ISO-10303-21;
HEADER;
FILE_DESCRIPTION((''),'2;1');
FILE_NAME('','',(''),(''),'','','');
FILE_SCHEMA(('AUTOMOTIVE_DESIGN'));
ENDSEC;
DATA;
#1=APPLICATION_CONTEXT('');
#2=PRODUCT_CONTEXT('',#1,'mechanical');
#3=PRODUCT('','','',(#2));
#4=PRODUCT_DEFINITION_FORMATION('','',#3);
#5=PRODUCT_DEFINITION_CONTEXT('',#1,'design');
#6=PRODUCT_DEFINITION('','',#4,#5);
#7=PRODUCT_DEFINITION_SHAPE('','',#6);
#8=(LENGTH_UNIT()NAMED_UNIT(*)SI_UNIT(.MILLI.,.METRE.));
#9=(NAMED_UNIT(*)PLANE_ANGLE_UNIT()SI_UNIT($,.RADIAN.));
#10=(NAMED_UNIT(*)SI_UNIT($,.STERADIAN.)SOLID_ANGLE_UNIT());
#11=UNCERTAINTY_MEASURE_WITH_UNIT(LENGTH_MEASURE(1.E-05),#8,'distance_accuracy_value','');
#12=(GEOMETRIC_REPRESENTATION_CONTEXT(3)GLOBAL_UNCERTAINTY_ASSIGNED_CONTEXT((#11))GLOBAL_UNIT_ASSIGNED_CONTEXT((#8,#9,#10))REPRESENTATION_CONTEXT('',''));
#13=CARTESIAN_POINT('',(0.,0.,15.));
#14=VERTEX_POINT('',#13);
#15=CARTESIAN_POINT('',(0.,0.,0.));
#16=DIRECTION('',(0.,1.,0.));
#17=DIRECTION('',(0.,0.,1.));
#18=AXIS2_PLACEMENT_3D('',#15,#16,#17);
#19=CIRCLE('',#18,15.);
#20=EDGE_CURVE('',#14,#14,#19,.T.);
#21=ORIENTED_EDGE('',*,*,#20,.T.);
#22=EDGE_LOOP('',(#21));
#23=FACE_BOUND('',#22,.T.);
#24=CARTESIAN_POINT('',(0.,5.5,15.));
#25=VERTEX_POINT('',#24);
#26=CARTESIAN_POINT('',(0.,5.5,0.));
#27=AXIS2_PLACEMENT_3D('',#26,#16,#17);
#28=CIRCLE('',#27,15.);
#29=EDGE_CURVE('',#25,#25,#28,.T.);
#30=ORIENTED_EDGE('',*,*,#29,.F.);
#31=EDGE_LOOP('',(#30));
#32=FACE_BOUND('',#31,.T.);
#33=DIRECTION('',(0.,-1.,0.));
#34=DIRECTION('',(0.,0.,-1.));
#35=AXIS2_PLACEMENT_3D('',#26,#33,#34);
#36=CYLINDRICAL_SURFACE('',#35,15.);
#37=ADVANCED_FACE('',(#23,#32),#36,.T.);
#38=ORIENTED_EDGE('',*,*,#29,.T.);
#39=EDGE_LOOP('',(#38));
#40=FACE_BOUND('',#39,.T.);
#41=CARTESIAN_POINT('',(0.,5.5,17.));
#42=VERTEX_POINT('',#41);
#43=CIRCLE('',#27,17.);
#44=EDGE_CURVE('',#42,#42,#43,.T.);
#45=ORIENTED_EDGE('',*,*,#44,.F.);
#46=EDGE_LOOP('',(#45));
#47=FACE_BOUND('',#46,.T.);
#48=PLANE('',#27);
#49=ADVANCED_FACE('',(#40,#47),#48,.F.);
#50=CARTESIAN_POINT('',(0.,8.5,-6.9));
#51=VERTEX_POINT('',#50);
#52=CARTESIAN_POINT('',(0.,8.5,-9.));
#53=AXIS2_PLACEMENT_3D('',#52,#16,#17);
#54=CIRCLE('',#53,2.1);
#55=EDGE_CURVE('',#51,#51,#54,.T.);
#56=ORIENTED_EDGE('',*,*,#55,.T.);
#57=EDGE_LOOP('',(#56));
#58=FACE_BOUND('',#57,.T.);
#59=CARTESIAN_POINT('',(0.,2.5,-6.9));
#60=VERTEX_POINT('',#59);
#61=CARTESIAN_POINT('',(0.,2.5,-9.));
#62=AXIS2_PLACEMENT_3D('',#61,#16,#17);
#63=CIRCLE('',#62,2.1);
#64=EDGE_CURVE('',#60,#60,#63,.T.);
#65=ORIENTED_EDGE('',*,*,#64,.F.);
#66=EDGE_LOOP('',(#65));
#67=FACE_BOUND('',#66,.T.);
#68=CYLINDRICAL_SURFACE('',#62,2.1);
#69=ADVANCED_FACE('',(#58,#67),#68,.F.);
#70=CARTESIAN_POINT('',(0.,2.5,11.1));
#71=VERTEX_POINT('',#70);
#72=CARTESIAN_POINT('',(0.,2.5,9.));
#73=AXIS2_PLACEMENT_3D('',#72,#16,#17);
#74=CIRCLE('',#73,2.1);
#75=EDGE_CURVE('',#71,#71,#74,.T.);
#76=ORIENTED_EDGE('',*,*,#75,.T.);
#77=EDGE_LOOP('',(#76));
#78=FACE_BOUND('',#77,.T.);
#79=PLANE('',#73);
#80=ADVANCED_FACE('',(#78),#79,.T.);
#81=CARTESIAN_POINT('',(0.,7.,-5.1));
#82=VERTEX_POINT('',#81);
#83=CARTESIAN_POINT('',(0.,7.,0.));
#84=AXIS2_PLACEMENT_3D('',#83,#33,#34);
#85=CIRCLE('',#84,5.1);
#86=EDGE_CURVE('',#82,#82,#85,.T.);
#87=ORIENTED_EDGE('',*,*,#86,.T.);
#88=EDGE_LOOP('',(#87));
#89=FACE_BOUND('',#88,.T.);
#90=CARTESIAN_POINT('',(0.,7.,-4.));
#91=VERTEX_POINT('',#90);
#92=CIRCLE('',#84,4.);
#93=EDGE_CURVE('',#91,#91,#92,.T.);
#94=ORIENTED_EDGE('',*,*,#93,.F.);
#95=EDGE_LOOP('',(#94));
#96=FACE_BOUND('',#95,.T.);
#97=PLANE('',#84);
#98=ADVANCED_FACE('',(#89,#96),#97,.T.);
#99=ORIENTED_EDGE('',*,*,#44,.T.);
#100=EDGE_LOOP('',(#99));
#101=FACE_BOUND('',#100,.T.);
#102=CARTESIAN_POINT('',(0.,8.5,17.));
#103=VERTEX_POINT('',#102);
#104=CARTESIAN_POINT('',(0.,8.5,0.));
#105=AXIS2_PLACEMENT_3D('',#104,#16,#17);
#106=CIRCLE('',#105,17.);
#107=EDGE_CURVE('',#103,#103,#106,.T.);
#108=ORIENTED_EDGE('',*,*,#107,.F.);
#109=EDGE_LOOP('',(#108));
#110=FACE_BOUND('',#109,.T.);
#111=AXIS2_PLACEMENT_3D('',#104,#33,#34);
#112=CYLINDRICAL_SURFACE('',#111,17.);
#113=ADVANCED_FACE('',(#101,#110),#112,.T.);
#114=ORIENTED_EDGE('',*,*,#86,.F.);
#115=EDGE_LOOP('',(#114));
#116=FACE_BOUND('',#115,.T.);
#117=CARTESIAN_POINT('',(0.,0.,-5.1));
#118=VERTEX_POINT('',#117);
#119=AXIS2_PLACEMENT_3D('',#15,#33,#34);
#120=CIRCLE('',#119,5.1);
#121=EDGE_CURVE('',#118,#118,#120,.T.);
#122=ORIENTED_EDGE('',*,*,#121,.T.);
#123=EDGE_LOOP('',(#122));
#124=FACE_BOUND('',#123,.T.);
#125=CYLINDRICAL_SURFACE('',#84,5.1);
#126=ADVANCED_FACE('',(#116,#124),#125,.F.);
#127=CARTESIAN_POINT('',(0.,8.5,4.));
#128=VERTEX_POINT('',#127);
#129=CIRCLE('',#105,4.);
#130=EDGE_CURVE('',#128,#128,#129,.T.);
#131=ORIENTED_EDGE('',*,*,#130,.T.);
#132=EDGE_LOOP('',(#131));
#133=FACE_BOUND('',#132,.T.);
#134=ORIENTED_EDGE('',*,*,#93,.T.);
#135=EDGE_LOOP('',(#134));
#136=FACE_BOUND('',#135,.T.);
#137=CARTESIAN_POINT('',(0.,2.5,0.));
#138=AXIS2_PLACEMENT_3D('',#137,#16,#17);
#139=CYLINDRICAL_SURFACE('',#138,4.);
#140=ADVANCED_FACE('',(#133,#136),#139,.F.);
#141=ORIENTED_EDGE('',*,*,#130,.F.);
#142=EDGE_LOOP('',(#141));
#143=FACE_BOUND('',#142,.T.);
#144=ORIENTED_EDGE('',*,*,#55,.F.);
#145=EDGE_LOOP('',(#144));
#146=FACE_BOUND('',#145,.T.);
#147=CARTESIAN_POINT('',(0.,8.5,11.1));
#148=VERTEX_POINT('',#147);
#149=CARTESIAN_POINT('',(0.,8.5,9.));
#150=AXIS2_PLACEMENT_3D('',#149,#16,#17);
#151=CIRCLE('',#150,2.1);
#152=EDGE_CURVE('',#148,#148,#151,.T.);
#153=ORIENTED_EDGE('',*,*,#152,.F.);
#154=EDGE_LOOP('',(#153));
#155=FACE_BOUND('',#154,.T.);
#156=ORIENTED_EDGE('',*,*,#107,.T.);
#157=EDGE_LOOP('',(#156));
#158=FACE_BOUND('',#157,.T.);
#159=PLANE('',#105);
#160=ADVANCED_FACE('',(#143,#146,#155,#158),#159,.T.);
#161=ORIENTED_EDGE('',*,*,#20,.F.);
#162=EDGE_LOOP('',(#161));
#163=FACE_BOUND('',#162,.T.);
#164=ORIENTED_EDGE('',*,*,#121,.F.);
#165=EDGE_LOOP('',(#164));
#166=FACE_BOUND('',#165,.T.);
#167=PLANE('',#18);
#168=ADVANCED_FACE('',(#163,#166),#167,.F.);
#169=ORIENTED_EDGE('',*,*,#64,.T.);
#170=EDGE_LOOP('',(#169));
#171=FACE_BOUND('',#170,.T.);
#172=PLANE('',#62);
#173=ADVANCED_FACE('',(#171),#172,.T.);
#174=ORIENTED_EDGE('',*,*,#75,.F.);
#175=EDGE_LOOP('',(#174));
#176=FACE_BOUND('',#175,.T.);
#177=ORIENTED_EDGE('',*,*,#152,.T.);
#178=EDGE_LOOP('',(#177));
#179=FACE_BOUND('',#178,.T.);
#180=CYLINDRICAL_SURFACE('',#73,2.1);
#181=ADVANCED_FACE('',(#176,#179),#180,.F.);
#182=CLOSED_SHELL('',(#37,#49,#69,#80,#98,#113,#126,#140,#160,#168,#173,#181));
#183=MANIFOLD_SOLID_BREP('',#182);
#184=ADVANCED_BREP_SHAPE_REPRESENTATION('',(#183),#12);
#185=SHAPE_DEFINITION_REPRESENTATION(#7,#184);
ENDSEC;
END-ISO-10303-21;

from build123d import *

# Parameters (mm, degrees)
SKETCH1_R           = 15
BOSS_EXTRUDE1_DEPTH = 5.5
SKETCH2_R           = 17
BOSS_EXTRUDE2_DEPTH = 3
SKETCH3_R           = 5.1
CUT_EXTRUDE1_DEPTH  = 7
SKETCH4_R           = 2.1
SKETCH4_R_2         = 4
CUT_EXTRUDE2_DEPTH  = 6


with BuildPart() as part:
    # Sketch1 → Boss-Extrude1 (new body)
    with BuildSketch(Plane(origin=(0, 0, 0), x_dir=(1, 0, 0), z_dir=(0, 1, 0))):
        Circle(SKETCH1_R)
    extrude(amount=BOSS_EXTRUDE1_DEPTH)

    # Sketch2 → Boss-Extrude2 (add)
    with BuildSketch(Plane(origin=(0, 5.5, 0), x_dir=(1, 0, 0), z_dir=(0, 1, 0))):
        Circle(SKETCH2_R)
    extrude(amount=BOSS_EXTRUDE2_DEPTH)

    # Sketch3 → Cut-Extrude1 (cut)
    with BuildSketch(Plane.XZ):
        Circle(SKETCH3_R)
    extrude(amount=-CUT_EXTRUDE1_DEPTH, mode=Mode.SUBTRACT)

    # Sketch4 → Cut-Extrude2 (cut)
    with BuildSketch(Plane(origin=(0, 8.5, 0), x_dir=(1, 0, 0), z_dir=(0, 1, 0))):
        with Locations((0, 9)):
            Circle(SKETCH4_R)
        with Locations((0, -9)):
            Circle(SKETCH4_R)
        Circle(SKETCH4_R_2)
    extrude(amount=-CUT_EXTRUDE2_DEPTH, mode=Mode.SUBTRACT)


solid = part.part
